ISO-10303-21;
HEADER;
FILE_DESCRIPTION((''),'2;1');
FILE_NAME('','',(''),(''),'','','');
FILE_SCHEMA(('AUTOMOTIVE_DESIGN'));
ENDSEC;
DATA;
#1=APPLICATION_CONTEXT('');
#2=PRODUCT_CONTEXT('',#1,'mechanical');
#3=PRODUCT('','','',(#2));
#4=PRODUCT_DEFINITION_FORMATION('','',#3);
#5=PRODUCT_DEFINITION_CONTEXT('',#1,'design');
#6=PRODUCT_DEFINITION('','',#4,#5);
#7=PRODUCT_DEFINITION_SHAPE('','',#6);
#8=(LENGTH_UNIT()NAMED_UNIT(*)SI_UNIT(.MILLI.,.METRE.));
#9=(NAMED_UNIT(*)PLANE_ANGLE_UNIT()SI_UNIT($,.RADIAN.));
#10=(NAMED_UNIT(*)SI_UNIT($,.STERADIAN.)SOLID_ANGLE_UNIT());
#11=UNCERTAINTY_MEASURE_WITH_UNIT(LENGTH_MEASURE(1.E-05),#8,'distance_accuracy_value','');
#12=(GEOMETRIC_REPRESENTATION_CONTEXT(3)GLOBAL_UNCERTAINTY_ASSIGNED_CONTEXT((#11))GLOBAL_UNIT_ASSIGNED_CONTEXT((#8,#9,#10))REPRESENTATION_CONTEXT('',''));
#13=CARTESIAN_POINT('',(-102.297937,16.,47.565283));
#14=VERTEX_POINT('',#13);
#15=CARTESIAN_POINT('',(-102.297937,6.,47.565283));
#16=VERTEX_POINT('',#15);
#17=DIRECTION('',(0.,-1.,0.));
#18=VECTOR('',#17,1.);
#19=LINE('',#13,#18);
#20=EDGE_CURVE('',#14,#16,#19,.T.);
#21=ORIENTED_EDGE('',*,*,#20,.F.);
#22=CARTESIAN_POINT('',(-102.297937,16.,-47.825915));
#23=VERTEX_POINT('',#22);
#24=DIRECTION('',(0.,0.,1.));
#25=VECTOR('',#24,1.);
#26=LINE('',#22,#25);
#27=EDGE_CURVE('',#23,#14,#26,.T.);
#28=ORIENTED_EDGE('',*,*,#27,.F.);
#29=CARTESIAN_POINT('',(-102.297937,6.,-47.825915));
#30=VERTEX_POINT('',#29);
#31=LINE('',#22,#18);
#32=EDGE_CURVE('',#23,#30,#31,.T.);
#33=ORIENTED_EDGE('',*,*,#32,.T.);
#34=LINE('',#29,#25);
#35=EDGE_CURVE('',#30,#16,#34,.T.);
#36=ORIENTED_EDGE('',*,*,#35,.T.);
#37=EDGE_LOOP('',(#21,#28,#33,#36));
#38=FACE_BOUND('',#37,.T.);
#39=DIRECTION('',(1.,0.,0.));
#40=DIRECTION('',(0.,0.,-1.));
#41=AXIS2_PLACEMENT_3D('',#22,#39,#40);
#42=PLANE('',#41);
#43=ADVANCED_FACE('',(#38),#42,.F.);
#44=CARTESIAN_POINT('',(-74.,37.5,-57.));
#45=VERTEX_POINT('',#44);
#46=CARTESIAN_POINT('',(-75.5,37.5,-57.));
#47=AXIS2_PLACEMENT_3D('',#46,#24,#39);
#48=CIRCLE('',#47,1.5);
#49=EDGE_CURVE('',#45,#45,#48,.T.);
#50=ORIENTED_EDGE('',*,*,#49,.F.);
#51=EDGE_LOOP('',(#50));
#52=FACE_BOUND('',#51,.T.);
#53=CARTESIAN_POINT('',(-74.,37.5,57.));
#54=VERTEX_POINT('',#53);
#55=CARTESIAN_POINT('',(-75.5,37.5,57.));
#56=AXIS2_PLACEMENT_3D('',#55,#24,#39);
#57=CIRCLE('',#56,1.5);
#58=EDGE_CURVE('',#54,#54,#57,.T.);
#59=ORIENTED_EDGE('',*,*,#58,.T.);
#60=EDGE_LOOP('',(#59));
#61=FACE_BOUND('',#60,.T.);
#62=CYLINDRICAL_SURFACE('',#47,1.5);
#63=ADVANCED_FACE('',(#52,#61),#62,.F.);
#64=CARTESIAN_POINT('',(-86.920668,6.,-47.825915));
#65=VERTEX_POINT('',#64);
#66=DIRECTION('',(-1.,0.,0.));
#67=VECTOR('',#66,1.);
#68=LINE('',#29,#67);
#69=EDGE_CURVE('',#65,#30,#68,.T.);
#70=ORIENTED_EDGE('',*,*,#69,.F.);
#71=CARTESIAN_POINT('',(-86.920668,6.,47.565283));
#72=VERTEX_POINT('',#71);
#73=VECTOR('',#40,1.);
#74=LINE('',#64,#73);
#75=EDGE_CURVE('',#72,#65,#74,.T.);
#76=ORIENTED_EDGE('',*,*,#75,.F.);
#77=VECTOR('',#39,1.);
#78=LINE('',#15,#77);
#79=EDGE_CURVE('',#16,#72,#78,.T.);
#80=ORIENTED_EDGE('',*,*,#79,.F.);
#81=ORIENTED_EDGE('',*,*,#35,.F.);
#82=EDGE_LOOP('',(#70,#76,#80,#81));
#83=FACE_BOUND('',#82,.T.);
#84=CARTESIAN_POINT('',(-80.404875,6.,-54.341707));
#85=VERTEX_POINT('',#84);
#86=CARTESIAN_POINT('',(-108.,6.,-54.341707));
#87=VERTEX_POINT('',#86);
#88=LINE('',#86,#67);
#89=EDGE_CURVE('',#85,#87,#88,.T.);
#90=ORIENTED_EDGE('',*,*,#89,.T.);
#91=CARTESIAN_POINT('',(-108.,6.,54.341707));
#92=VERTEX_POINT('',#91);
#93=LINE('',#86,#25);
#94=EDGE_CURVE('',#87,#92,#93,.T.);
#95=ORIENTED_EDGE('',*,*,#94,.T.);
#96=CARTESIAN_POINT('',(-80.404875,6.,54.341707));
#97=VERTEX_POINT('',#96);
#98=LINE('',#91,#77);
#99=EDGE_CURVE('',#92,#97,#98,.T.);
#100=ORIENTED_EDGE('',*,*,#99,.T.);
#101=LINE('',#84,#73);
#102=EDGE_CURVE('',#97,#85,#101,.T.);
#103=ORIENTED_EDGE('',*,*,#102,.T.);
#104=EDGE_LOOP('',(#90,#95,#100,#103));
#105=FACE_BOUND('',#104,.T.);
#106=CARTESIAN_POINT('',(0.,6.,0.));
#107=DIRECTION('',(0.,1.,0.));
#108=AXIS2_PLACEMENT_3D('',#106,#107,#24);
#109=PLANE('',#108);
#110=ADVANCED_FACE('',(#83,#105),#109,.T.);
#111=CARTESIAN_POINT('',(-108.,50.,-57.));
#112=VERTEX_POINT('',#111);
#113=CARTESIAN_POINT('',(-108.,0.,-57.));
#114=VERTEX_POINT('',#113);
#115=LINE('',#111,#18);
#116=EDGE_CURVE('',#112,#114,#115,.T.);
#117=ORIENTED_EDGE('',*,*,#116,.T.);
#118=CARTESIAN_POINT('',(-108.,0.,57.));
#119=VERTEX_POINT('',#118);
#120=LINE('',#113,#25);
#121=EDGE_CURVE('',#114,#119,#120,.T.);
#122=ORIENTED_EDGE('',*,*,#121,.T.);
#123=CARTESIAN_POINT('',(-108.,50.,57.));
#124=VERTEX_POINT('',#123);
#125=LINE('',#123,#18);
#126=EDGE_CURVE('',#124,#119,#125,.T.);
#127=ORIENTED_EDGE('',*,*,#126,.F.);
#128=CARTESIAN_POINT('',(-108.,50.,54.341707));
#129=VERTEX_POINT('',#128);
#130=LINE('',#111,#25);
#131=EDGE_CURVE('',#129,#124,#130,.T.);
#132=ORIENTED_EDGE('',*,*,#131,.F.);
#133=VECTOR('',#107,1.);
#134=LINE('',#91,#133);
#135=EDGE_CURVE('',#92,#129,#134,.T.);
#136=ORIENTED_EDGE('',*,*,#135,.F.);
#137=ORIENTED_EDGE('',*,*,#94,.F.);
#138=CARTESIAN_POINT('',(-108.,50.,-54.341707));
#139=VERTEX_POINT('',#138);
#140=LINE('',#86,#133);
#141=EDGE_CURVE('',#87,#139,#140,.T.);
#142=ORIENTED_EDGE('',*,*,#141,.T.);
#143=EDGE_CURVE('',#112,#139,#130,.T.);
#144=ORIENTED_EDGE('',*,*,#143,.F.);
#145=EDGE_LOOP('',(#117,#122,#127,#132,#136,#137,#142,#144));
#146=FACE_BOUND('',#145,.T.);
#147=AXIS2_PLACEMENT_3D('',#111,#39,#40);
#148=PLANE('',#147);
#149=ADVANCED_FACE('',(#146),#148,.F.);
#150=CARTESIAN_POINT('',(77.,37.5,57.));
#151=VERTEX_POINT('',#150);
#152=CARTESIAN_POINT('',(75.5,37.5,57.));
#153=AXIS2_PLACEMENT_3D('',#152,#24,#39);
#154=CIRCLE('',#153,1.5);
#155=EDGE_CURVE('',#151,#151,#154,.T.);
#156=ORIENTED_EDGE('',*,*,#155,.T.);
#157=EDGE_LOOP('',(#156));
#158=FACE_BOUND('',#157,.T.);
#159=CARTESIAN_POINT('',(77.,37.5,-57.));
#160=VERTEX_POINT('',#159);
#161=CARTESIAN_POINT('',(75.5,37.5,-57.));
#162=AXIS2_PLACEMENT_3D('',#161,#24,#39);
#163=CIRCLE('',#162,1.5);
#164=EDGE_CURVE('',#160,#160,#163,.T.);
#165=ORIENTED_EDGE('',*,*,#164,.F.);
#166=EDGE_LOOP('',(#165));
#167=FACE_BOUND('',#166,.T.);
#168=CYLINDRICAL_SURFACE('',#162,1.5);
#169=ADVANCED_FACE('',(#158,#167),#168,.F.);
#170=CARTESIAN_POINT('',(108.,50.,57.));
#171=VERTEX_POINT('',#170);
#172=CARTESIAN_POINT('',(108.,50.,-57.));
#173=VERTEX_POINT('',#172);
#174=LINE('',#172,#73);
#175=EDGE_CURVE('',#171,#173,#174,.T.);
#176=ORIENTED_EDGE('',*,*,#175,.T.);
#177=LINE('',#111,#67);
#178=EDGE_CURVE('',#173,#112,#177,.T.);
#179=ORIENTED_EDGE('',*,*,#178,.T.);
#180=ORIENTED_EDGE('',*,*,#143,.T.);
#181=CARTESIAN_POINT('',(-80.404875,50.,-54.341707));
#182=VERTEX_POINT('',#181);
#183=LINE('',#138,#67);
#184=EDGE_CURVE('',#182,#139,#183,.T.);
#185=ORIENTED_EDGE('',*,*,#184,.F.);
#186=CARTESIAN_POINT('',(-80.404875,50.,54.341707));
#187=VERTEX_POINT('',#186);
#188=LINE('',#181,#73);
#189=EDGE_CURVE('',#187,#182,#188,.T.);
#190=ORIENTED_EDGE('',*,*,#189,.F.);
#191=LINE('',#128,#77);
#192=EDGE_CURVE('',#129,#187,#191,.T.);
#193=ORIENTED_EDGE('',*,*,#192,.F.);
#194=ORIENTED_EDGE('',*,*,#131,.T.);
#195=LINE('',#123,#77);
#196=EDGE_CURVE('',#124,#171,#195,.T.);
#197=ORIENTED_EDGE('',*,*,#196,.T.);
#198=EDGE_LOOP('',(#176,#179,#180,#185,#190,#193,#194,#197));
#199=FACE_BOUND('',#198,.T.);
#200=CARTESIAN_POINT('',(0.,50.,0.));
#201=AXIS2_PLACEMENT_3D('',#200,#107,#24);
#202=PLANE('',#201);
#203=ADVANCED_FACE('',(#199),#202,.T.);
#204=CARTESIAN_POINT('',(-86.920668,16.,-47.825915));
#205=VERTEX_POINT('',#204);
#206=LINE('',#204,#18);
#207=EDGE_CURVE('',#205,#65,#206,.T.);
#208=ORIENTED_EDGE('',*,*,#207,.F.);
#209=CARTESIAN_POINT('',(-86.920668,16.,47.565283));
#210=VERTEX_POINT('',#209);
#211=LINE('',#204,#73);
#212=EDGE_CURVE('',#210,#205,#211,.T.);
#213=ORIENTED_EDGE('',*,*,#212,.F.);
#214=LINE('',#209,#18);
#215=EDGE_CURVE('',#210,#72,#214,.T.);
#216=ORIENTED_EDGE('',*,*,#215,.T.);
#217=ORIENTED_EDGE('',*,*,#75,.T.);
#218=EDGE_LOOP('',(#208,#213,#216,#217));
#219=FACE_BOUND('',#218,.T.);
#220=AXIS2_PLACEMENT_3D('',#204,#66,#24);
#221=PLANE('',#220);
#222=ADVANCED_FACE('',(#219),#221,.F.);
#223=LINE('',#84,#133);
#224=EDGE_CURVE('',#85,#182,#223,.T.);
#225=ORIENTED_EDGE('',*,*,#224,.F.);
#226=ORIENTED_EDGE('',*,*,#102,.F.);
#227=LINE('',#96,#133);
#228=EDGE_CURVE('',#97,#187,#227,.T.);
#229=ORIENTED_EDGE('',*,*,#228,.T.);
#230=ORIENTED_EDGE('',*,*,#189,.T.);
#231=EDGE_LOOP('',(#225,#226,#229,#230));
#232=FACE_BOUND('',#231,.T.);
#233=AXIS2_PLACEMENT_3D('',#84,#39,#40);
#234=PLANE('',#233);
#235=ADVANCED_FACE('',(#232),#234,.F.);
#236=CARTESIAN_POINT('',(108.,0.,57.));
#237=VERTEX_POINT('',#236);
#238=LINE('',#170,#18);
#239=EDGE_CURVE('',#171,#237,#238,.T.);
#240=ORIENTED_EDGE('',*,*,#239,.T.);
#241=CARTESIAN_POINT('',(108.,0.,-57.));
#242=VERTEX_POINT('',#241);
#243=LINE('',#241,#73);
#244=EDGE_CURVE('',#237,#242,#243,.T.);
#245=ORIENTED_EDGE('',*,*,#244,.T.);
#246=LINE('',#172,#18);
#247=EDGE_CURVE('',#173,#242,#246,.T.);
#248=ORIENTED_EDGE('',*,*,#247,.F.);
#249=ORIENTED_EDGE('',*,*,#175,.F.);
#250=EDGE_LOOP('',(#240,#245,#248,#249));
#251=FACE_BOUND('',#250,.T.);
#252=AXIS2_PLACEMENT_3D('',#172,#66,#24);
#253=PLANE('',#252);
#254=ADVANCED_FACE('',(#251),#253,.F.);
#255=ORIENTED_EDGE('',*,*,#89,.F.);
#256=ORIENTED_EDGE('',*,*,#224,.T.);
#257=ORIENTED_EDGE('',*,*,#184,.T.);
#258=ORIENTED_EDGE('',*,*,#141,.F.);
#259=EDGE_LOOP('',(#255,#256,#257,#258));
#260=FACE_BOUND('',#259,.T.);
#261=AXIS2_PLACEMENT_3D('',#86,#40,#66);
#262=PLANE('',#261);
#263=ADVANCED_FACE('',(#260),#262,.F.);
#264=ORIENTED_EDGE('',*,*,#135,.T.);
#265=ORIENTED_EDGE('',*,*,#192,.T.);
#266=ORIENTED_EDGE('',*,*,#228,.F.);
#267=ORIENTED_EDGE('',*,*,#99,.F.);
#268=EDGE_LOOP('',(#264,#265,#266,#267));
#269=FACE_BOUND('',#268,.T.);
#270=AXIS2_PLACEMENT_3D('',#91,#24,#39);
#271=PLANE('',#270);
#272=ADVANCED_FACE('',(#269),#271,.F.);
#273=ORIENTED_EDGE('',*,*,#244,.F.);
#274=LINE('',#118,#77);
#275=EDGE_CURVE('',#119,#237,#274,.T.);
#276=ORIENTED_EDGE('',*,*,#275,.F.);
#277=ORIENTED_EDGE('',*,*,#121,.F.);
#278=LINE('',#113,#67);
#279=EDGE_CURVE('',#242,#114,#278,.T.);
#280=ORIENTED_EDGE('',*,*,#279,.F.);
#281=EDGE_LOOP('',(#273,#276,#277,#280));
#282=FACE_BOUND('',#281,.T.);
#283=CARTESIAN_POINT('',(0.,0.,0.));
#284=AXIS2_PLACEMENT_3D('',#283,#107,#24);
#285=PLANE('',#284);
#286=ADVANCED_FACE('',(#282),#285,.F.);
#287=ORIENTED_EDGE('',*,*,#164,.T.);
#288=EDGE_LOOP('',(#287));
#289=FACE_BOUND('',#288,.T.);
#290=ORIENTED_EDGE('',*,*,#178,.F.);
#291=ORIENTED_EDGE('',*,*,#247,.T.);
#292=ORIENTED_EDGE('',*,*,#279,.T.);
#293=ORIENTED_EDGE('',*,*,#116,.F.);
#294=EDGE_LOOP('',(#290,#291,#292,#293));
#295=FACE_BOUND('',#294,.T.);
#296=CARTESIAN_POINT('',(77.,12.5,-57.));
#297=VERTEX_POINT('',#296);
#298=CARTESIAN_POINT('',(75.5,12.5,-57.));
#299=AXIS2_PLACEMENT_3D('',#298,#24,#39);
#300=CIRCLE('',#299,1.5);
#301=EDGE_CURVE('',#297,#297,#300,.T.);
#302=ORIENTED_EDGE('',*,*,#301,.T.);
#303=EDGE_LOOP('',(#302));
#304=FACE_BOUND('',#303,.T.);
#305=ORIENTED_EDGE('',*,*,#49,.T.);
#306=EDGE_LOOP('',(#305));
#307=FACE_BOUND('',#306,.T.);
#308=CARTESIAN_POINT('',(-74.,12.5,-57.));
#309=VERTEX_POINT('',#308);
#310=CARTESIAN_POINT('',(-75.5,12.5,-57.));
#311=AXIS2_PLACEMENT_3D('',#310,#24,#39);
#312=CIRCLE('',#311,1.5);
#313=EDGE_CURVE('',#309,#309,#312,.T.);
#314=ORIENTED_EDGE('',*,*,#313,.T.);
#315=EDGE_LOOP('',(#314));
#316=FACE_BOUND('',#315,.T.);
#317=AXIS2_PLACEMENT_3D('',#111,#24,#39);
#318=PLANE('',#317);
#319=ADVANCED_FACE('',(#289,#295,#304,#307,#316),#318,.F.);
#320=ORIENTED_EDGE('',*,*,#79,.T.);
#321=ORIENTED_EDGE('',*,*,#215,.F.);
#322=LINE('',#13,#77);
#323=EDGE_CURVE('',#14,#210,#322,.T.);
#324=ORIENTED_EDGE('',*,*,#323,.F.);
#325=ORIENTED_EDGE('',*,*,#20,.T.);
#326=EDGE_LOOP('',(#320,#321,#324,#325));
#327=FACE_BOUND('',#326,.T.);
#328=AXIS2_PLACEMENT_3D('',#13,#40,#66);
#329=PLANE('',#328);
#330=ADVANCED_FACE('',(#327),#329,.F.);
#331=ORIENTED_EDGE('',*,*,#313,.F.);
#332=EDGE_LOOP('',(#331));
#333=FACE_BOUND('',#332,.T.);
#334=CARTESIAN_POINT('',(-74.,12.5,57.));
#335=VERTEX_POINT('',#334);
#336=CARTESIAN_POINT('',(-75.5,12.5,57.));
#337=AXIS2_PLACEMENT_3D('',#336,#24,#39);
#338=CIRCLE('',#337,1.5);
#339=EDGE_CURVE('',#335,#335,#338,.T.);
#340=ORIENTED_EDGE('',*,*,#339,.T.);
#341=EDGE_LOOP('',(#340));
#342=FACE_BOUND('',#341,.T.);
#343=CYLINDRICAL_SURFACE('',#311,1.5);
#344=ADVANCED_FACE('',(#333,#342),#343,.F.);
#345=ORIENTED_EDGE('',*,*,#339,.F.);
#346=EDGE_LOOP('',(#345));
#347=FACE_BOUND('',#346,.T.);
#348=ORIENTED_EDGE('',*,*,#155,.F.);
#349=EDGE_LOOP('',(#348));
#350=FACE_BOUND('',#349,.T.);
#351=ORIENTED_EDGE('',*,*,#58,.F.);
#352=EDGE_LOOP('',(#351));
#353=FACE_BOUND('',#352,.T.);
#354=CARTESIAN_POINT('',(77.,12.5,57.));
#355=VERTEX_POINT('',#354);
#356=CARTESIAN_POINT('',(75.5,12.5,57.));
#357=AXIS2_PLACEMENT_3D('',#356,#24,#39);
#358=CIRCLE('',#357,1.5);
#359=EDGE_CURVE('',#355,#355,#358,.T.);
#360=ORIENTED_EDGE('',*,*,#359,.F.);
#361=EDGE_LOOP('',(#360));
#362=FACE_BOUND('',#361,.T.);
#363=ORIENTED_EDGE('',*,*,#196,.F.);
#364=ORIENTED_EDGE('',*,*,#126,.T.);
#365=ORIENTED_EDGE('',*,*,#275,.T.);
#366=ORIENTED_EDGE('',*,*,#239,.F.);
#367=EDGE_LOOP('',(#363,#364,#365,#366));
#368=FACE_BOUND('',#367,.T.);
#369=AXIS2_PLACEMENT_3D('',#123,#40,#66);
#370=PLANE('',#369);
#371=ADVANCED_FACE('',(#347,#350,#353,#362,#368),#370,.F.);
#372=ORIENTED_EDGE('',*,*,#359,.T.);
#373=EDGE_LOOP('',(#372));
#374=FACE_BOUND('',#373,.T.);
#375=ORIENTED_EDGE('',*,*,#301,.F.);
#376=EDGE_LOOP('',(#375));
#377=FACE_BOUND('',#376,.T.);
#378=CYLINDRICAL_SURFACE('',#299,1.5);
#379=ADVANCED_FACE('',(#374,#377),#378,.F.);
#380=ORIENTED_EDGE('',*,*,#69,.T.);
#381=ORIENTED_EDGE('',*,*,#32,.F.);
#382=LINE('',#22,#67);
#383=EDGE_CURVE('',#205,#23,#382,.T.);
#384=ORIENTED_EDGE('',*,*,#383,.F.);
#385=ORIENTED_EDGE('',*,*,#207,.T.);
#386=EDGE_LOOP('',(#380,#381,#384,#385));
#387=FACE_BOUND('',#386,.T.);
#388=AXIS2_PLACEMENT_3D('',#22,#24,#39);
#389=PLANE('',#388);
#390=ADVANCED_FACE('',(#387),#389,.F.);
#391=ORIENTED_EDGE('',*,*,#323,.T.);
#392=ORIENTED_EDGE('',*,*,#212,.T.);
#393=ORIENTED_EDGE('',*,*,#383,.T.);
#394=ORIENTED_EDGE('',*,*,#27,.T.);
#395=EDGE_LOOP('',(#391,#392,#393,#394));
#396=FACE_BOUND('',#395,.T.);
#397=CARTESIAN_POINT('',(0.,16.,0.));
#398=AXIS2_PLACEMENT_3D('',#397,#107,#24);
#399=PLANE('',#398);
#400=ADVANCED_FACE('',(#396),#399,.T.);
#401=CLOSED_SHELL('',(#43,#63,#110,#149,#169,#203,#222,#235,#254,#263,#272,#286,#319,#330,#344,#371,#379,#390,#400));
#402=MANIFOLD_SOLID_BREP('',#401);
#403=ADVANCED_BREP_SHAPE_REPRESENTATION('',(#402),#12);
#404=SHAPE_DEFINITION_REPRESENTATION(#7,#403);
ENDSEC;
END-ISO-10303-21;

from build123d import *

# Parameters (mm, degrees)
SKETCH_1_W          = 216
SKETCH_1_H          = 114
EXTRUDE_1_DEPTH     = 50
SKETCH_2_W          = 27.595124593
SKETCH_2_H          = 108.683413436
CUT_EXTRUDE_1_DEPTH = 44
SKETCH_3_W          = 15.377269527
SKETCH_3_H          = 95.391197403
EXTRUDE_2_DEPTH     = 10
SKETCH_4_R          = 1.5
CUT_EXTRUDE_2_DEPTH = 115


with BuildPart() as part:
    # 草图1 → 凸台-拉伸1 (new body)
    with BuildSketch(Plane(origin=(0, 0, 0), x_dir=(1, 0, 0), z_dir=(0, 1, 0))):
        Rectangle(SKETCH_1_W, SKETCH_1_H)
    extrude(amount=EXTRUDE_1_DEPTH)

    # 草图2 → 切除-拉伸1 (cut)
    with BuildSketch(Plane(origin=(0, 50, 0), x_dir=(1, 0, 0), z_dir=(0, 1, 0))):
        with Locations((-94.202437704, 0)):
            Rectangle(SKETCH_2_W, SKETCH_2_H)
    extrude(amount=-CUT_EXTRUDE_1_DEPTH, mode=Mode.SUBTRACT)

    # 草图3 → 凸台-拉伸2 (add)
    with BuildSketch(Plane(origin=(0, 6, 0), x_dir=(1, 0, 0), z_dir=(0, 1, 0))):
        with Locations((-94.609302344, 0.130315844)):
            Rectangle(SKETCH_3_W, SKETCH_3_H)
    extrude(amount=EXTRUDE_2_DEPTH)

    # 草图4 → 切除-拉伸2 (cut, through all)
    with BuildSketch(Plane.XY.offset(57)):
        with Locations((75.5, 37.5)):
            Circle(SKETCH_4_R)
        with Locations((75.5, 12.5)):
            Circle(SKETCH_4_R)
        with Locations((-75.5, 12.5)):
            Circle(SKETCH_4_R)
        with Locations((-75.5, 37.5)):
            Circle(SKETCH_4_R)
    extrude(amount=-CUT_EXTRUDE_2_DEPTH, mode=Mode.SUBTRACT)


solid = part.part
